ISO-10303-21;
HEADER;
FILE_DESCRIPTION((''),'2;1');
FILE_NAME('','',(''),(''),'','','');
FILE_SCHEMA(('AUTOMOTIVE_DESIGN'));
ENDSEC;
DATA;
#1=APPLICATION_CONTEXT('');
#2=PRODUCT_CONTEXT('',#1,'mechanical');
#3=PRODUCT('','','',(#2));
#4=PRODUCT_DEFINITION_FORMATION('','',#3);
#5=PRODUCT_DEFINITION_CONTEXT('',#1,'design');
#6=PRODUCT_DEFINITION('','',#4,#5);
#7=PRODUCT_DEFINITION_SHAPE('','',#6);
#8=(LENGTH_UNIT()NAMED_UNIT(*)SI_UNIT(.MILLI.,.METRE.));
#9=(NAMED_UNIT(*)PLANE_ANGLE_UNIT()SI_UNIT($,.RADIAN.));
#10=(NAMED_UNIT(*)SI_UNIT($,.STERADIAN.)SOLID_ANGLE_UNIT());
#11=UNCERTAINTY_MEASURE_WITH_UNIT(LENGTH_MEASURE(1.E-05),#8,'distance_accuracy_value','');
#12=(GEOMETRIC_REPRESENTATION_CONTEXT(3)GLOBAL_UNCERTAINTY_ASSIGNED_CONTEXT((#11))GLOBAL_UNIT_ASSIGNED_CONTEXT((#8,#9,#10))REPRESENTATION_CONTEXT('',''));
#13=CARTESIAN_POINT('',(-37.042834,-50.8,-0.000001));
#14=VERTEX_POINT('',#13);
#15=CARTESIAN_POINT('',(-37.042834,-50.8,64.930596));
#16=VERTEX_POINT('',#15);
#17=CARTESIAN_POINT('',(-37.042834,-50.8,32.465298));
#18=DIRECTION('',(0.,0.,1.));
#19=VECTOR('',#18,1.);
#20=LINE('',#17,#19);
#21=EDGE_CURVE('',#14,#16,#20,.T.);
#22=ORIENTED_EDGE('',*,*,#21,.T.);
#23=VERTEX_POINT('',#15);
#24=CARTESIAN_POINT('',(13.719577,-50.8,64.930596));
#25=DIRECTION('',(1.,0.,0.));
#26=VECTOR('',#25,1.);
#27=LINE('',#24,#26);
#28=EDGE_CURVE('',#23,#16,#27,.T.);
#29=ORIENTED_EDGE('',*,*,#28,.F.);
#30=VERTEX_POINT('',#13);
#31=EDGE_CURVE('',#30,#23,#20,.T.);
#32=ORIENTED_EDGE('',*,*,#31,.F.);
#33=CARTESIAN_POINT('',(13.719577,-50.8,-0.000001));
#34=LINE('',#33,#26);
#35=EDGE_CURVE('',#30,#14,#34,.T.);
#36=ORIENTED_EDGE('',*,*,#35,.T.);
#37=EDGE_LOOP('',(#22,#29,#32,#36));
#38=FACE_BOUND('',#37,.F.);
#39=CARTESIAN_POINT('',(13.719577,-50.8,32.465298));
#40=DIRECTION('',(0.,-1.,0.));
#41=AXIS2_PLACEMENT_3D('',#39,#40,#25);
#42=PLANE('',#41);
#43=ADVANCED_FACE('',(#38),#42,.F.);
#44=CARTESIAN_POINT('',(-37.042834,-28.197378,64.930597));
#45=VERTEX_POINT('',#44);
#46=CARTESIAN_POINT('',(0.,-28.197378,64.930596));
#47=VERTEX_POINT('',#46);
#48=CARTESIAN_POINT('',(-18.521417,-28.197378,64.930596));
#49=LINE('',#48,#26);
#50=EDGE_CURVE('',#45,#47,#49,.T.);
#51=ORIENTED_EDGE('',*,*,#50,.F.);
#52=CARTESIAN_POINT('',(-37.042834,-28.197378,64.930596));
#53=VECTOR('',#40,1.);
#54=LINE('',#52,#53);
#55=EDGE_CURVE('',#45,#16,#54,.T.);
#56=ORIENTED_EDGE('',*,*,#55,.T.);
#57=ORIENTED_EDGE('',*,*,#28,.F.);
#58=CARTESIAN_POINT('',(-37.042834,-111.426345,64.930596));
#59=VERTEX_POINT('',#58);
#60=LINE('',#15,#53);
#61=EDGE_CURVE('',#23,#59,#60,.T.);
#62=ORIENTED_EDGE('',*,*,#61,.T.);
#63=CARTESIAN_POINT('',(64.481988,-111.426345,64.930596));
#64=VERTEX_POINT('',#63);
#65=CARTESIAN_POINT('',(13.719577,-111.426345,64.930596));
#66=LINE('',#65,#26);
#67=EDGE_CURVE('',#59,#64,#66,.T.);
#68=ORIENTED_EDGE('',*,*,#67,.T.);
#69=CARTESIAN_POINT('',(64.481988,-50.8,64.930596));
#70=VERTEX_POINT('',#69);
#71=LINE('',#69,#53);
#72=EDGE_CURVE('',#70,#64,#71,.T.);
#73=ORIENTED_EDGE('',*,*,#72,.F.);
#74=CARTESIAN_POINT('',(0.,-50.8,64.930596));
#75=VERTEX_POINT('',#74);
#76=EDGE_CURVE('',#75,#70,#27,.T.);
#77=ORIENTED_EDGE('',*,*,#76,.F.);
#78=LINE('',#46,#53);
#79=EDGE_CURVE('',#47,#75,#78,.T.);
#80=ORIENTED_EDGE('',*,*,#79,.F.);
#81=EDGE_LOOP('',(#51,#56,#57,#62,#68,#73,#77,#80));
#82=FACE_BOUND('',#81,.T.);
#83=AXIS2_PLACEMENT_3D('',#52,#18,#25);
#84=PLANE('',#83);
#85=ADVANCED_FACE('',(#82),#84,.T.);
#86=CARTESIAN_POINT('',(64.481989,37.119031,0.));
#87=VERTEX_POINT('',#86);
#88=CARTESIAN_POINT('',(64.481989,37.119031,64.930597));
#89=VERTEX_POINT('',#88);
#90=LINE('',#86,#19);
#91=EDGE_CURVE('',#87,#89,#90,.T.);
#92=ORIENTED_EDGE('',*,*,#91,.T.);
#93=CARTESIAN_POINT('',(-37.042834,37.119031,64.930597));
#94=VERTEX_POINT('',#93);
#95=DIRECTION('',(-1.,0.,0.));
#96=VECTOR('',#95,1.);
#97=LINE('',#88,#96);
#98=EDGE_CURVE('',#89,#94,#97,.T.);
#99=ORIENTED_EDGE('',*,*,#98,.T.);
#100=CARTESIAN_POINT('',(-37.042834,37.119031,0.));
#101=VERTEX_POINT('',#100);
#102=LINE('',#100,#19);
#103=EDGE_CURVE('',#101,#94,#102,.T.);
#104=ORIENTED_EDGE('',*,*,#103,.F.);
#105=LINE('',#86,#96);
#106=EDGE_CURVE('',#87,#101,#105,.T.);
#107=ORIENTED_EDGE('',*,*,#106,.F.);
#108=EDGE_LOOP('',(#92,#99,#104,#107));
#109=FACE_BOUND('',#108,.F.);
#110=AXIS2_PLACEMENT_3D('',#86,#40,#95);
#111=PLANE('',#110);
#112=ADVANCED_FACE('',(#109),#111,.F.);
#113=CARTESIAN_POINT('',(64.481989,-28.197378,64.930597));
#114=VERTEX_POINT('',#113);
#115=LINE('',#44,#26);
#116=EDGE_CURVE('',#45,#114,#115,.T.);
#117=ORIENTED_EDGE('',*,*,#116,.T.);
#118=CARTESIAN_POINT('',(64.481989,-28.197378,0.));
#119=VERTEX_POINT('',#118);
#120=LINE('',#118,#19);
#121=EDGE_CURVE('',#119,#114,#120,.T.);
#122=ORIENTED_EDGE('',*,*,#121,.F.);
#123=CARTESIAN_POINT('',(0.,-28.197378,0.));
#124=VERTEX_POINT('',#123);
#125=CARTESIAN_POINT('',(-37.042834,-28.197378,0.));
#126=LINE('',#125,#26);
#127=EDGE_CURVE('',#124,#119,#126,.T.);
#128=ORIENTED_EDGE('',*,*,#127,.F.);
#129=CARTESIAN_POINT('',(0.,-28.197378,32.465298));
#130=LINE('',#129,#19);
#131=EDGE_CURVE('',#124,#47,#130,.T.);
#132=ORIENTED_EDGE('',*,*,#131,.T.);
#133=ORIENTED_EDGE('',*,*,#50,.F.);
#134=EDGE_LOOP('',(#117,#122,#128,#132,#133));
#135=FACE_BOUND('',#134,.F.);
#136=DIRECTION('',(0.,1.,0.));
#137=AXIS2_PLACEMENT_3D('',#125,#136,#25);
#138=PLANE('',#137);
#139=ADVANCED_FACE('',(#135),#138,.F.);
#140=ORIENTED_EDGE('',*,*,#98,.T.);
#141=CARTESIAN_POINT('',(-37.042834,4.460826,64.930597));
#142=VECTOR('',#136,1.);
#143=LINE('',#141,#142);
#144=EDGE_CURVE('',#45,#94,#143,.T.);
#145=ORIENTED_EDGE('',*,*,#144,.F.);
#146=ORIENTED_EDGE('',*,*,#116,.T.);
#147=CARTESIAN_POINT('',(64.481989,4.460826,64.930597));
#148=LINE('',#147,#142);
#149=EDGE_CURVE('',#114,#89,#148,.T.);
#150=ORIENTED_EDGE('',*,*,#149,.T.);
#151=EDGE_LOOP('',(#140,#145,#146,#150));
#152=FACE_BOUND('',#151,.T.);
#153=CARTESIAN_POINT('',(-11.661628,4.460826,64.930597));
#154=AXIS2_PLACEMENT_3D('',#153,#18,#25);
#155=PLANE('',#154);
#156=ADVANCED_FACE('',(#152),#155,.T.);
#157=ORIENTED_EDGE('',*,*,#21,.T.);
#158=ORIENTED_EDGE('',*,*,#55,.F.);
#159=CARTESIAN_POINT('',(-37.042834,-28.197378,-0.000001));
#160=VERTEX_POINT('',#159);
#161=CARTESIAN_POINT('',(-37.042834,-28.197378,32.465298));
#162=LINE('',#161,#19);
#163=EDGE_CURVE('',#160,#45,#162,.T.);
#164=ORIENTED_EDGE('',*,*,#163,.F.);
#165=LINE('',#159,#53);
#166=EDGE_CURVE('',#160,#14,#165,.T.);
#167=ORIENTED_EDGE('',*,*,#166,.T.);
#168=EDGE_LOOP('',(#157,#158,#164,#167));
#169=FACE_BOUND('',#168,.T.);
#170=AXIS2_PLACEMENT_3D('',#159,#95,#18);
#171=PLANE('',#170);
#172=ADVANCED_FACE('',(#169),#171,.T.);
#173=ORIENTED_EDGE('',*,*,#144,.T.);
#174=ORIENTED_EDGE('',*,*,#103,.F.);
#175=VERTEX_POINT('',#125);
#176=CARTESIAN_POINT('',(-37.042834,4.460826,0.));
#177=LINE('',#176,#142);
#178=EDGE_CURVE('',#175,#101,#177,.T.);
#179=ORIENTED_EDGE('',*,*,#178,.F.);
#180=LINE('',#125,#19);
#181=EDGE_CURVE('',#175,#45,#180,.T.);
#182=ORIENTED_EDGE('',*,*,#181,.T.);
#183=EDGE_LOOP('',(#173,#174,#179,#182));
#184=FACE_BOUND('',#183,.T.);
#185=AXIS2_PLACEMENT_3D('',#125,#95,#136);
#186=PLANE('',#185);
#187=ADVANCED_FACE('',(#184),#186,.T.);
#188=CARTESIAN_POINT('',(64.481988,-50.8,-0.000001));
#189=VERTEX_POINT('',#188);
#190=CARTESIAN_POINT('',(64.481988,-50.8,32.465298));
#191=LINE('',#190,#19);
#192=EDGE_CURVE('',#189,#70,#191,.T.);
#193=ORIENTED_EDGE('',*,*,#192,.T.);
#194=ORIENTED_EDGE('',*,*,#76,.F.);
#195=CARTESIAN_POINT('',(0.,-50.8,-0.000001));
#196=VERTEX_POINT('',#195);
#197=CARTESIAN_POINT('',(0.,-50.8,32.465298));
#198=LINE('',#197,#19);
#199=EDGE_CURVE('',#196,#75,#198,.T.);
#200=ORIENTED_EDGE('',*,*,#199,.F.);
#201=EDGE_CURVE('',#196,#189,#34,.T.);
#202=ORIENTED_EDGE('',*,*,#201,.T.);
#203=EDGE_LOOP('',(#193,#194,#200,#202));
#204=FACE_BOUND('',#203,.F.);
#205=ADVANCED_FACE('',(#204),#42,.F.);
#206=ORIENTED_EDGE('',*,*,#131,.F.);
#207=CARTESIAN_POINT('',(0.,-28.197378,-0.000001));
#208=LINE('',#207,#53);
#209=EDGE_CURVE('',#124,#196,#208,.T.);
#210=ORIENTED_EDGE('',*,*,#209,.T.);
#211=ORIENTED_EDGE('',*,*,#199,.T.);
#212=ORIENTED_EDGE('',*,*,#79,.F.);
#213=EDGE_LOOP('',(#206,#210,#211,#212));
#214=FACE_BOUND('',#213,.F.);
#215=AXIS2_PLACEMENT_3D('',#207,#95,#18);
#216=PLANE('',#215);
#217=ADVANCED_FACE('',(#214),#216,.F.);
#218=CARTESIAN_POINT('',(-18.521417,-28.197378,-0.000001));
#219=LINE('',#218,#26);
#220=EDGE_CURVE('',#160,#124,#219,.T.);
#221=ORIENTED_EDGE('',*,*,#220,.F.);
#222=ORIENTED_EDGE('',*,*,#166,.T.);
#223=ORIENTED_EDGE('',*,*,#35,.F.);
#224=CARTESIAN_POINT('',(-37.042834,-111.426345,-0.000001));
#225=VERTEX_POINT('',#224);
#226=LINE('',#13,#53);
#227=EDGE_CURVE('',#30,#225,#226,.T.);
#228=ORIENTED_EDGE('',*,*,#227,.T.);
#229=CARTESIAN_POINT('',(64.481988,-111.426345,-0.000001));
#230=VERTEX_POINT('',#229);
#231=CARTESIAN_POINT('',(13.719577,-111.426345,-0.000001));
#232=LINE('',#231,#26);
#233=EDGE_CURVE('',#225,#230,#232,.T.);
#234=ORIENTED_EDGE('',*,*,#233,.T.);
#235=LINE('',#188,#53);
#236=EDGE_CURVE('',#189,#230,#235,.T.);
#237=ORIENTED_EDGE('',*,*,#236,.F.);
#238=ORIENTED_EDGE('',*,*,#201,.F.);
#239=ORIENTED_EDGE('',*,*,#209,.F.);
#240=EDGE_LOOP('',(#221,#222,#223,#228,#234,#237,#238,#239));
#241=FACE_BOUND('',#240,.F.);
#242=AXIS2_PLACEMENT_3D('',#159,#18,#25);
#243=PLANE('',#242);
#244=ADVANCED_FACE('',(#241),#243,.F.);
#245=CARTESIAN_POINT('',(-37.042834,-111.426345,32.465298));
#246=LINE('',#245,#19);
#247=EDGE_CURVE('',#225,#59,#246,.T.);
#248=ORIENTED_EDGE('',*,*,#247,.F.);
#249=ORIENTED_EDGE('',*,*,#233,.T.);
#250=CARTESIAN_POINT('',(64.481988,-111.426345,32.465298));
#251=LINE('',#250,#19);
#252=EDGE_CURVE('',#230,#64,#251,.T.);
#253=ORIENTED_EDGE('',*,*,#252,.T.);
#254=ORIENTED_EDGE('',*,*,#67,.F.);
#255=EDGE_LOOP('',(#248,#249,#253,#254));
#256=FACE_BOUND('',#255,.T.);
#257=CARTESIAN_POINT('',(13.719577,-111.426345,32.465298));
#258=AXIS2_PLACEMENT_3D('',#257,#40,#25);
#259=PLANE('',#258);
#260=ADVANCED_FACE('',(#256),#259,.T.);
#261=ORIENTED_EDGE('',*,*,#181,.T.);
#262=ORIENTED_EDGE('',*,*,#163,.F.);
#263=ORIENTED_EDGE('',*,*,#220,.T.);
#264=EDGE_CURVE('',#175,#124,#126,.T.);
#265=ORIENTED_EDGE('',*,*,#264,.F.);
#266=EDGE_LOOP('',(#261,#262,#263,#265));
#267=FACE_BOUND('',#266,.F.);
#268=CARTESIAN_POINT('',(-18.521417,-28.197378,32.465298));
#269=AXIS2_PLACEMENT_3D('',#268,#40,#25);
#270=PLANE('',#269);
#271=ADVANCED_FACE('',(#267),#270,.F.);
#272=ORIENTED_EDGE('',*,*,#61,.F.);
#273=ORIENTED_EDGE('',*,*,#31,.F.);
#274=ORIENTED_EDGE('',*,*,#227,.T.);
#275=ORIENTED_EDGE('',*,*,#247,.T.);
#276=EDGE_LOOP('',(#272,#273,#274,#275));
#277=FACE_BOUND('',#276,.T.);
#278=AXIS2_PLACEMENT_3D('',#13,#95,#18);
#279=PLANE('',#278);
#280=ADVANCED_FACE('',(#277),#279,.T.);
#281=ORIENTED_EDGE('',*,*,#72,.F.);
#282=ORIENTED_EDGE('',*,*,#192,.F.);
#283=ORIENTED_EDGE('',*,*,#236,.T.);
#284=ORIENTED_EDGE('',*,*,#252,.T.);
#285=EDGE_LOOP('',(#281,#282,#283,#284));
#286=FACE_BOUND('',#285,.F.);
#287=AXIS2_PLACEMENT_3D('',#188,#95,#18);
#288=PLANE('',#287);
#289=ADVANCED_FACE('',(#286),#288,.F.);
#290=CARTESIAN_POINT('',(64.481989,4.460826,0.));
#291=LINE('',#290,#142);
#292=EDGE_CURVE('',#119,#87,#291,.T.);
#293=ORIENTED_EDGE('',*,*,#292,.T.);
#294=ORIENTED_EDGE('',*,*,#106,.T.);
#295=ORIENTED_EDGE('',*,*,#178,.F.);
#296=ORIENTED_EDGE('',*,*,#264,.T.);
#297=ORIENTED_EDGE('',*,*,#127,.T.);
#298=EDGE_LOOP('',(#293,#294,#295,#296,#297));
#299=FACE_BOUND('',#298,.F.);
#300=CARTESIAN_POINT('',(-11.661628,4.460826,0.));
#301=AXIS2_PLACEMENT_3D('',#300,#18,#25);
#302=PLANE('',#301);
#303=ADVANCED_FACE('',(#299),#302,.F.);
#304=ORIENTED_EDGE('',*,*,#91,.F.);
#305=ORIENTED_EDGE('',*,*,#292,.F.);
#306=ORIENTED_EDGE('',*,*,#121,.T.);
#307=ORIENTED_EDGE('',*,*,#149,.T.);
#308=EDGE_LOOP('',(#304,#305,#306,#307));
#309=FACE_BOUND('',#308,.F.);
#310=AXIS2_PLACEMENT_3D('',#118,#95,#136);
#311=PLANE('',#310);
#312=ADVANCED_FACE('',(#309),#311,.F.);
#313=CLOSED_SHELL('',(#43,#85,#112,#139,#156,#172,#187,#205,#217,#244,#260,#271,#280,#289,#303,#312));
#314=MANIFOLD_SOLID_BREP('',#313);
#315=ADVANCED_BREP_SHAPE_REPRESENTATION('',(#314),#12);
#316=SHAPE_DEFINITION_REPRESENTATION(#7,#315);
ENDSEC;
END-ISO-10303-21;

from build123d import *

# Parameters (mm, degrees)
F0_W     = 50.762411
F0_H     = 65.316409
F0_W_2   = 50.762412
F1_DEPTH = 64.930597
F3_W     = 101.524823
F3_H     = 64.930597
F4_DEPTH = 60.626345
F5_W     = 37.042834
F5_H     = 64.930597
F6_DEPTH = 22.602622


with BuildPart() as f1:
    # F0 (on Top) → F1 (new body)
    with BuildSketch(Plane.XY):
        with Locations((-11.661628, 4.460826)):
            Rectangle(F0_W, F0_H)
        with Locations((39.100783, 4.460826)):
            Rectangle(F0_W_2, F0_H)
    extrude(amount=F1_DEPTH)


with BuildPart() as f4:
    # F3 (on offset) → F4 (new body)
    with BuildSketch(Plane.XZ.offset(50.8)):
        with Locations((13.719577, 32.465298)):
            Rectangle(F3_W, F3_H)
    extrude(amount=F4_DEPTH)


with BuildPart() as f6:
    # F5 (on face) → F6 (new body, through all)
    with BuildSketch(Plane.XZ.offset(28.197378)):
        with Locations((-18.521417, 32.465298)):
            Rectangle(F5_W, F5_H)
    extrude(amount=F6_DEPTH)


with BuildPart() as f1_1:
    add(f1.part)

    # F7: union F4, F6
    add(f4.part)
    add(f6.part)


solid = f1_1.part
